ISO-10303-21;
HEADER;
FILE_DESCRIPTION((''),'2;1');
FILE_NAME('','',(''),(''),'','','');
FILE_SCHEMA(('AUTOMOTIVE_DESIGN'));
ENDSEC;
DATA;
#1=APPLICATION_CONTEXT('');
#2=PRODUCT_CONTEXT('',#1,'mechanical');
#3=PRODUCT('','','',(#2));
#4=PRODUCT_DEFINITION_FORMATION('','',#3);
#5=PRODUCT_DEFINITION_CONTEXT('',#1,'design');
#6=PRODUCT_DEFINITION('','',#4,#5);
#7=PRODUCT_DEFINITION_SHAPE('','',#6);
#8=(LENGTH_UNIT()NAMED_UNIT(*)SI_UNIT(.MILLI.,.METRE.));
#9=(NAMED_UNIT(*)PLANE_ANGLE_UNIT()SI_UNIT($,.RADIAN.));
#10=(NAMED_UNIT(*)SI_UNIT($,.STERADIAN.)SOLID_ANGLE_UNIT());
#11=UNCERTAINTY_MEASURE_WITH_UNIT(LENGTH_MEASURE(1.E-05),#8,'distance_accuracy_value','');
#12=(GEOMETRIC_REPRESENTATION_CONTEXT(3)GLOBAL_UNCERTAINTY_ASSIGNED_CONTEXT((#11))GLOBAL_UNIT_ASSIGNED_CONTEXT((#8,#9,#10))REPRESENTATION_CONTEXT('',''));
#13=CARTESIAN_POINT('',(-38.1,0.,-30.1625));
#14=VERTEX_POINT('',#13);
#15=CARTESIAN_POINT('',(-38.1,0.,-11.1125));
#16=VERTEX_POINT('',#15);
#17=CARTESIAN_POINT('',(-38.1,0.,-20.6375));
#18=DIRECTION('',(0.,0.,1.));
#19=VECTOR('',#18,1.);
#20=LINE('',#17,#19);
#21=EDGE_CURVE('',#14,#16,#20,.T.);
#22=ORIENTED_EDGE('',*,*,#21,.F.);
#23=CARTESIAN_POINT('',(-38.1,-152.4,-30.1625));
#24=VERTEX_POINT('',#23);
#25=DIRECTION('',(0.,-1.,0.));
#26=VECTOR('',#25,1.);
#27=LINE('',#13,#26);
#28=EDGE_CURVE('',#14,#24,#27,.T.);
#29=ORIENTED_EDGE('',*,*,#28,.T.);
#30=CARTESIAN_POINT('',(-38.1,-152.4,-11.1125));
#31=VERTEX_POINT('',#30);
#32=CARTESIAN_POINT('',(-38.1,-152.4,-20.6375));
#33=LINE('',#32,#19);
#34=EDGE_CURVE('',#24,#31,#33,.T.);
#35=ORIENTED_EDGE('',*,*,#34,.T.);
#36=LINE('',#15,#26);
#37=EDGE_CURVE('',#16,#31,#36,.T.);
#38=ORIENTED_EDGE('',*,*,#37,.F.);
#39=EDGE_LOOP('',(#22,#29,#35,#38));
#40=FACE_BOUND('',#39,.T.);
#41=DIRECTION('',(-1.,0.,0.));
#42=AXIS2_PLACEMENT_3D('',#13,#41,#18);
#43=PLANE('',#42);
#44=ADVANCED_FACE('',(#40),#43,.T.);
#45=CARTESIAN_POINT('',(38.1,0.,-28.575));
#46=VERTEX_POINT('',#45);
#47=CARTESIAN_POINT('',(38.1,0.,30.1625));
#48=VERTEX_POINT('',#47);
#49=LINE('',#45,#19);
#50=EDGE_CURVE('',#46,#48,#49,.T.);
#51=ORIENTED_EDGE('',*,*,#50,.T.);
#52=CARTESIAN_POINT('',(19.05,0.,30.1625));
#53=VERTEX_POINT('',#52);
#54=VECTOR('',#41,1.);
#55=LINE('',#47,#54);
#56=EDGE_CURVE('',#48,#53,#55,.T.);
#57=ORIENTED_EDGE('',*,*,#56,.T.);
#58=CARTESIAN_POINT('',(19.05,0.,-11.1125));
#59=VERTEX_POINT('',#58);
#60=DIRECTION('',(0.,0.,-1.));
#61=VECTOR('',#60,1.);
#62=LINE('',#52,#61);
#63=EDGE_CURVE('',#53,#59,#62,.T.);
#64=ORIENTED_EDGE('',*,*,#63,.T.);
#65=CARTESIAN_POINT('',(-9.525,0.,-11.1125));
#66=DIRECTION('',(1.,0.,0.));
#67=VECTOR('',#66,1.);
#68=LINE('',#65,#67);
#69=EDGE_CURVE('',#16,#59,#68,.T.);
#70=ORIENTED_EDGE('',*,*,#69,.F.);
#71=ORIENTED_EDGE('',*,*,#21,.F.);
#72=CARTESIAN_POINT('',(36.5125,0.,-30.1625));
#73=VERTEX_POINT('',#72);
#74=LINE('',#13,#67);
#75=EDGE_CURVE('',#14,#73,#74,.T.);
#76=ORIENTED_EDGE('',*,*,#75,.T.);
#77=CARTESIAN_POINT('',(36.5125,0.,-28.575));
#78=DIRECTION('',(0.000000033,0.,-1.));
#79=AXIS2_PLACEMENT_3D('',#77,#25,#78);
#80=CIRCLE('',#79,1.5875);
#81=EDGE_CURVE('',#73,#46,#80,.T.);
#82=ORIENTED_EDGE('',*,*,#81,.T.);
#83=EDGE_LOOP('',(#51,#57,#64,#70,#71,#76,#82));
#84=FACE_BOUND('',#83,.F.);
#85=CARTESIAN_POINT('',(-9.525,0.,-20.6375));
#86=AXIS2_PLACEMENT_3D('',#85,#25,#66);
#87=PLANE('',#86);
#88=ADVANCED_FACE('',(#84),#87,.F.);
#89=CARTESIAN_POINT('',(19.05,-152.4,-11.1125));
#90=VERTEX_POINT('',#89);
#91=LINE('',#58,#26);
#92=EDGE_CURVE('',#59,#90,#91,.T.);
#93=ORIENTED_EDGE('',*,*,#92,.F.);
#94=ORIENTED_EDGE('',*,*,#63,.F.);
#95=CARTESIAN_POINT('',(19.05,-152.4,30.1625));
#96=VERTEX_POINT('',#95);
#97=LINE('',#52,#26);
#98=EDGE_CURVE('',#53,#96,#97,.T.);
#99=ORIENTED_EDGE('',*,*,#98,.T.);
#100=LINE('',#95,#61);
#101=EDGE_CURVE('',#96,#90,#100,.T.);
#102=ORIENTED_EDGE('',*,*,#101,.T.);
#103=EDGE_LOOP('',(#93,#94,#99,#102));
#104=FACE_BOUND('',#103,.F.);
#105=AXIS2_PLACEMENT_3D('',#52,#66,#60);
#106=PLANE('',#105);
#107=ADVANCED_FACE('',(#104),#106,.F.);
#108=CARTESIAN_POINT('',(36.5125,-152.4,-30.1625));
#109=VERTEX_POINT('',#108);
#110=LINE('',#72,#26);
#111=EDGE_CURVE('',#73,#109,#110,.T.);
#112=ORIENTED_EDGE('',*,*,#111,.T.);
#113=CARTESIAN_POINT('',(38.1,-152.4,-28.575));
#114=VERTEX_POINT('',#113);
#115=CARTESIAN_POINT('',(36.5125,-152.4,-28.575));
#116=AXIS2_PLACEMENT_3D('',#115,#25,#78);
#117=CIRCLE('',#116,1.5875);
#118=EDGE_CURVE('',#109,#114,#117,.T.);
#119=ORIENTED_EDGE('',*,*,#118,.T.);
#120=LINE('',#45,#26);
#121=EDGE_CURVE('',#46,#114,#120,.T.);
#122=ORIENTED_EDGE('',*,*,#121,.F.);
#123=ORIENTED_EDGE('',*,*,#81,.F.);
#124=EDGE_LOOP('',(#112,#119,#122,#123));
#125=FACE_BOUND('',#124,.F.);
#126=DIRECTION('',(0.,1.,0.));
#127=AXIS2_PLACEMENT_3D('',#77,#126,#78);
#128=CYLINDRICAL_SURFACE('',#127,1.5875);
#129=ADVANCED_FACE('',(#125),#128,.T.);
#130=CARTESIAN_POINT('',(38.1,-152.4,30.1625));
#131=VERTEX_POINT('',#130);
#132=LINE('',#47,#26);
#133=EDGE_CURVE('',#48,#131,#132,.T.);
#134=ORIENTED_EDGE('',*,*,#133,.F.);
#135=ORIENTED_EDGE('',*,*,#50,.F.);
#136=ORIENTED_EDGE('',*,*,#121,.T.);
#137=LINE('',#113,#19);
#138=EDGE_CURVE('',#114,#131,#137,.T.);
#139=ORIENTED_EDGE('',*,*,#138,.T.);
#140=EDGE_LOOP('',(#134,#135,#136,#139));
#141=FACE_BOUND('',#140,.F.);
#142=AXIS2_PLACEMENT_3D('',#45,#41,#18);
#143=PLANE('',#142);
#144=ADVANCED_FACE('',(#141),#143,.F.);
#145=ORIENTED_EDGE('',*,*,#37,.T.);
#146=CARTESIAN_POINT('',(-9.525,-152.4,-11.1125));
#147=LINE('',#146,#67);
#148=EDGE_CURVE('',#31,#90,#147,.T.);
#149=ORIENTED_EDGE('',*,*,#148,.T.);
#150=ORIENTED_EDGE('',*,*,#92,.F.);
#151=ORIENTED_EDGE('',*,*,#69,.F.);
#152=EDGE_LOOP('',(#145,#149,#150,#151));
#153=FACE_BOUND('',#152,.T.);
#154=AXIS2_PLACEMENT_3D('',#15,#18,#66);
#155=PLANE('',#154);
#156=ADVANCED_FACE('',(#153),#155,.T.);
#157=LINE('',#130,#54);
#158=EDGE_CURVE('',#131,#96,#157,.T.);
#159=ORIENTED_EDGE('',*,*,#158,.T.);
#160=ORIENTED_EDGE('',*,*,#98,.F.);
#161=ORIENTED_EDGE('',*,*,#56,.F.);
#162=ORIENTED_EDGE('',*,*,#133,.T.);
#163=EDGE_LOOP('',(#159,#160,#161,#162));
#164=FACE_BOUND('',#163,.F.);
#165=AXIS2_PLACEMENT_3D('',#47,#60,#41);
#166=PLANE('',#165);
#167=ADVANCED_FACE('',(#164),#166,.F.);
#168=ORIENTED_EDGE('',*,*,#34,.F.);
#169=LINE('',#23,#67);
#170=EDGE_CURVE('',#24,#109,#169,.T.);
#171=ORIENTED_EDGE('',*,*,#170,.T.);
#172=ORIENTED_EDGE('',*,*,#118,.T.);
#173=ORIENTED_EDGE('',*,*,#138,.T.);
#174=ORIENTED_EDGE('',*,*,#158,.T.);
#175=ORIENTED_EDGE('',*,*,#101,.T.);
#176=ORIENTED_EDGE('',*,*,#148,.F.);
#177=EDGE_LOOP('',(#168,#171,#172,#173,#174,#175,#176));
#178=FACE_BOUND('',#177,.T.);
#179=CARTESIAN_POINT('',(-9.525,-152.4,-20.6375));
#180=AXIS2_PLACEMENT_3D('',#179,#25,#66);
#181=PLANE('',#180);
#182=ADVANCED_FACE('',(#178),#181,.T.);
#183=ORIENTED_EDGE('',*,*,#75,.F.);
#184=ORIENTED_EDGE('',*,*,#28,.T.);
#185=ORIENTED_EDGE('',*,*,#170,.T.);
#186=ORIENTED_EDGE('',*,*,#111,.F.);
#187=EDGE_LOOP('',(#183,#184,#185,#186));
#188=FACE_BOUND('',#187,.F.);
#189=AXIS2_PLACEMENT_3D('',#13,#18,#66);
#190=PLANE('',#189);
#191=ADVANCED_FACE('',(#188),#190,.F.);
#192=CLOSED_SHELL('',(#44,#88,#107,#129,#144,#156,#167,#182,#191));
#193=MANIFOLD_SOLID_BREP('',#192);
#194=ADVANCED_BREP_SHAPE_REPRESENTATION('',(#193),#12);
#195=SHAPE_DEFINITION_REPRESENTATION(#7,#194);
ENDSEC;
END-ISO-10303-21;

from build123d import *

# Parameters (mm, degrees)
F0_W     = 57.15
F0_H     = 19.05
F1_DEPTH = 152.4


with BuildPart() as f1:
    # F0 (on Front) → F1 (new body)
    with BuildSketch(Plane.XZ):
        with Locations((-9.525, -20.6375)):
            Rectangle(F0_W, F0_H)
        with BuildLine():
            Line((38.1, 30.1625), (19.05, 30.1625))
            Line((19.05, 30.1625), (19.05, -11.1125))
            Line((19.05, -11.1125), (19.05, -30.1625))
            Line((19.05, -30.1625), (36.5125, -30.1625))
            ThreePointArc((36.5125, -30.1625), (37.635032, -29.697532), (38.1, -28.575))
            Line((38.1, -28.575), (38.1, 30.1625))
        make_face()
    extrude(amount=F1_DEPTH)


solid = f1.part
